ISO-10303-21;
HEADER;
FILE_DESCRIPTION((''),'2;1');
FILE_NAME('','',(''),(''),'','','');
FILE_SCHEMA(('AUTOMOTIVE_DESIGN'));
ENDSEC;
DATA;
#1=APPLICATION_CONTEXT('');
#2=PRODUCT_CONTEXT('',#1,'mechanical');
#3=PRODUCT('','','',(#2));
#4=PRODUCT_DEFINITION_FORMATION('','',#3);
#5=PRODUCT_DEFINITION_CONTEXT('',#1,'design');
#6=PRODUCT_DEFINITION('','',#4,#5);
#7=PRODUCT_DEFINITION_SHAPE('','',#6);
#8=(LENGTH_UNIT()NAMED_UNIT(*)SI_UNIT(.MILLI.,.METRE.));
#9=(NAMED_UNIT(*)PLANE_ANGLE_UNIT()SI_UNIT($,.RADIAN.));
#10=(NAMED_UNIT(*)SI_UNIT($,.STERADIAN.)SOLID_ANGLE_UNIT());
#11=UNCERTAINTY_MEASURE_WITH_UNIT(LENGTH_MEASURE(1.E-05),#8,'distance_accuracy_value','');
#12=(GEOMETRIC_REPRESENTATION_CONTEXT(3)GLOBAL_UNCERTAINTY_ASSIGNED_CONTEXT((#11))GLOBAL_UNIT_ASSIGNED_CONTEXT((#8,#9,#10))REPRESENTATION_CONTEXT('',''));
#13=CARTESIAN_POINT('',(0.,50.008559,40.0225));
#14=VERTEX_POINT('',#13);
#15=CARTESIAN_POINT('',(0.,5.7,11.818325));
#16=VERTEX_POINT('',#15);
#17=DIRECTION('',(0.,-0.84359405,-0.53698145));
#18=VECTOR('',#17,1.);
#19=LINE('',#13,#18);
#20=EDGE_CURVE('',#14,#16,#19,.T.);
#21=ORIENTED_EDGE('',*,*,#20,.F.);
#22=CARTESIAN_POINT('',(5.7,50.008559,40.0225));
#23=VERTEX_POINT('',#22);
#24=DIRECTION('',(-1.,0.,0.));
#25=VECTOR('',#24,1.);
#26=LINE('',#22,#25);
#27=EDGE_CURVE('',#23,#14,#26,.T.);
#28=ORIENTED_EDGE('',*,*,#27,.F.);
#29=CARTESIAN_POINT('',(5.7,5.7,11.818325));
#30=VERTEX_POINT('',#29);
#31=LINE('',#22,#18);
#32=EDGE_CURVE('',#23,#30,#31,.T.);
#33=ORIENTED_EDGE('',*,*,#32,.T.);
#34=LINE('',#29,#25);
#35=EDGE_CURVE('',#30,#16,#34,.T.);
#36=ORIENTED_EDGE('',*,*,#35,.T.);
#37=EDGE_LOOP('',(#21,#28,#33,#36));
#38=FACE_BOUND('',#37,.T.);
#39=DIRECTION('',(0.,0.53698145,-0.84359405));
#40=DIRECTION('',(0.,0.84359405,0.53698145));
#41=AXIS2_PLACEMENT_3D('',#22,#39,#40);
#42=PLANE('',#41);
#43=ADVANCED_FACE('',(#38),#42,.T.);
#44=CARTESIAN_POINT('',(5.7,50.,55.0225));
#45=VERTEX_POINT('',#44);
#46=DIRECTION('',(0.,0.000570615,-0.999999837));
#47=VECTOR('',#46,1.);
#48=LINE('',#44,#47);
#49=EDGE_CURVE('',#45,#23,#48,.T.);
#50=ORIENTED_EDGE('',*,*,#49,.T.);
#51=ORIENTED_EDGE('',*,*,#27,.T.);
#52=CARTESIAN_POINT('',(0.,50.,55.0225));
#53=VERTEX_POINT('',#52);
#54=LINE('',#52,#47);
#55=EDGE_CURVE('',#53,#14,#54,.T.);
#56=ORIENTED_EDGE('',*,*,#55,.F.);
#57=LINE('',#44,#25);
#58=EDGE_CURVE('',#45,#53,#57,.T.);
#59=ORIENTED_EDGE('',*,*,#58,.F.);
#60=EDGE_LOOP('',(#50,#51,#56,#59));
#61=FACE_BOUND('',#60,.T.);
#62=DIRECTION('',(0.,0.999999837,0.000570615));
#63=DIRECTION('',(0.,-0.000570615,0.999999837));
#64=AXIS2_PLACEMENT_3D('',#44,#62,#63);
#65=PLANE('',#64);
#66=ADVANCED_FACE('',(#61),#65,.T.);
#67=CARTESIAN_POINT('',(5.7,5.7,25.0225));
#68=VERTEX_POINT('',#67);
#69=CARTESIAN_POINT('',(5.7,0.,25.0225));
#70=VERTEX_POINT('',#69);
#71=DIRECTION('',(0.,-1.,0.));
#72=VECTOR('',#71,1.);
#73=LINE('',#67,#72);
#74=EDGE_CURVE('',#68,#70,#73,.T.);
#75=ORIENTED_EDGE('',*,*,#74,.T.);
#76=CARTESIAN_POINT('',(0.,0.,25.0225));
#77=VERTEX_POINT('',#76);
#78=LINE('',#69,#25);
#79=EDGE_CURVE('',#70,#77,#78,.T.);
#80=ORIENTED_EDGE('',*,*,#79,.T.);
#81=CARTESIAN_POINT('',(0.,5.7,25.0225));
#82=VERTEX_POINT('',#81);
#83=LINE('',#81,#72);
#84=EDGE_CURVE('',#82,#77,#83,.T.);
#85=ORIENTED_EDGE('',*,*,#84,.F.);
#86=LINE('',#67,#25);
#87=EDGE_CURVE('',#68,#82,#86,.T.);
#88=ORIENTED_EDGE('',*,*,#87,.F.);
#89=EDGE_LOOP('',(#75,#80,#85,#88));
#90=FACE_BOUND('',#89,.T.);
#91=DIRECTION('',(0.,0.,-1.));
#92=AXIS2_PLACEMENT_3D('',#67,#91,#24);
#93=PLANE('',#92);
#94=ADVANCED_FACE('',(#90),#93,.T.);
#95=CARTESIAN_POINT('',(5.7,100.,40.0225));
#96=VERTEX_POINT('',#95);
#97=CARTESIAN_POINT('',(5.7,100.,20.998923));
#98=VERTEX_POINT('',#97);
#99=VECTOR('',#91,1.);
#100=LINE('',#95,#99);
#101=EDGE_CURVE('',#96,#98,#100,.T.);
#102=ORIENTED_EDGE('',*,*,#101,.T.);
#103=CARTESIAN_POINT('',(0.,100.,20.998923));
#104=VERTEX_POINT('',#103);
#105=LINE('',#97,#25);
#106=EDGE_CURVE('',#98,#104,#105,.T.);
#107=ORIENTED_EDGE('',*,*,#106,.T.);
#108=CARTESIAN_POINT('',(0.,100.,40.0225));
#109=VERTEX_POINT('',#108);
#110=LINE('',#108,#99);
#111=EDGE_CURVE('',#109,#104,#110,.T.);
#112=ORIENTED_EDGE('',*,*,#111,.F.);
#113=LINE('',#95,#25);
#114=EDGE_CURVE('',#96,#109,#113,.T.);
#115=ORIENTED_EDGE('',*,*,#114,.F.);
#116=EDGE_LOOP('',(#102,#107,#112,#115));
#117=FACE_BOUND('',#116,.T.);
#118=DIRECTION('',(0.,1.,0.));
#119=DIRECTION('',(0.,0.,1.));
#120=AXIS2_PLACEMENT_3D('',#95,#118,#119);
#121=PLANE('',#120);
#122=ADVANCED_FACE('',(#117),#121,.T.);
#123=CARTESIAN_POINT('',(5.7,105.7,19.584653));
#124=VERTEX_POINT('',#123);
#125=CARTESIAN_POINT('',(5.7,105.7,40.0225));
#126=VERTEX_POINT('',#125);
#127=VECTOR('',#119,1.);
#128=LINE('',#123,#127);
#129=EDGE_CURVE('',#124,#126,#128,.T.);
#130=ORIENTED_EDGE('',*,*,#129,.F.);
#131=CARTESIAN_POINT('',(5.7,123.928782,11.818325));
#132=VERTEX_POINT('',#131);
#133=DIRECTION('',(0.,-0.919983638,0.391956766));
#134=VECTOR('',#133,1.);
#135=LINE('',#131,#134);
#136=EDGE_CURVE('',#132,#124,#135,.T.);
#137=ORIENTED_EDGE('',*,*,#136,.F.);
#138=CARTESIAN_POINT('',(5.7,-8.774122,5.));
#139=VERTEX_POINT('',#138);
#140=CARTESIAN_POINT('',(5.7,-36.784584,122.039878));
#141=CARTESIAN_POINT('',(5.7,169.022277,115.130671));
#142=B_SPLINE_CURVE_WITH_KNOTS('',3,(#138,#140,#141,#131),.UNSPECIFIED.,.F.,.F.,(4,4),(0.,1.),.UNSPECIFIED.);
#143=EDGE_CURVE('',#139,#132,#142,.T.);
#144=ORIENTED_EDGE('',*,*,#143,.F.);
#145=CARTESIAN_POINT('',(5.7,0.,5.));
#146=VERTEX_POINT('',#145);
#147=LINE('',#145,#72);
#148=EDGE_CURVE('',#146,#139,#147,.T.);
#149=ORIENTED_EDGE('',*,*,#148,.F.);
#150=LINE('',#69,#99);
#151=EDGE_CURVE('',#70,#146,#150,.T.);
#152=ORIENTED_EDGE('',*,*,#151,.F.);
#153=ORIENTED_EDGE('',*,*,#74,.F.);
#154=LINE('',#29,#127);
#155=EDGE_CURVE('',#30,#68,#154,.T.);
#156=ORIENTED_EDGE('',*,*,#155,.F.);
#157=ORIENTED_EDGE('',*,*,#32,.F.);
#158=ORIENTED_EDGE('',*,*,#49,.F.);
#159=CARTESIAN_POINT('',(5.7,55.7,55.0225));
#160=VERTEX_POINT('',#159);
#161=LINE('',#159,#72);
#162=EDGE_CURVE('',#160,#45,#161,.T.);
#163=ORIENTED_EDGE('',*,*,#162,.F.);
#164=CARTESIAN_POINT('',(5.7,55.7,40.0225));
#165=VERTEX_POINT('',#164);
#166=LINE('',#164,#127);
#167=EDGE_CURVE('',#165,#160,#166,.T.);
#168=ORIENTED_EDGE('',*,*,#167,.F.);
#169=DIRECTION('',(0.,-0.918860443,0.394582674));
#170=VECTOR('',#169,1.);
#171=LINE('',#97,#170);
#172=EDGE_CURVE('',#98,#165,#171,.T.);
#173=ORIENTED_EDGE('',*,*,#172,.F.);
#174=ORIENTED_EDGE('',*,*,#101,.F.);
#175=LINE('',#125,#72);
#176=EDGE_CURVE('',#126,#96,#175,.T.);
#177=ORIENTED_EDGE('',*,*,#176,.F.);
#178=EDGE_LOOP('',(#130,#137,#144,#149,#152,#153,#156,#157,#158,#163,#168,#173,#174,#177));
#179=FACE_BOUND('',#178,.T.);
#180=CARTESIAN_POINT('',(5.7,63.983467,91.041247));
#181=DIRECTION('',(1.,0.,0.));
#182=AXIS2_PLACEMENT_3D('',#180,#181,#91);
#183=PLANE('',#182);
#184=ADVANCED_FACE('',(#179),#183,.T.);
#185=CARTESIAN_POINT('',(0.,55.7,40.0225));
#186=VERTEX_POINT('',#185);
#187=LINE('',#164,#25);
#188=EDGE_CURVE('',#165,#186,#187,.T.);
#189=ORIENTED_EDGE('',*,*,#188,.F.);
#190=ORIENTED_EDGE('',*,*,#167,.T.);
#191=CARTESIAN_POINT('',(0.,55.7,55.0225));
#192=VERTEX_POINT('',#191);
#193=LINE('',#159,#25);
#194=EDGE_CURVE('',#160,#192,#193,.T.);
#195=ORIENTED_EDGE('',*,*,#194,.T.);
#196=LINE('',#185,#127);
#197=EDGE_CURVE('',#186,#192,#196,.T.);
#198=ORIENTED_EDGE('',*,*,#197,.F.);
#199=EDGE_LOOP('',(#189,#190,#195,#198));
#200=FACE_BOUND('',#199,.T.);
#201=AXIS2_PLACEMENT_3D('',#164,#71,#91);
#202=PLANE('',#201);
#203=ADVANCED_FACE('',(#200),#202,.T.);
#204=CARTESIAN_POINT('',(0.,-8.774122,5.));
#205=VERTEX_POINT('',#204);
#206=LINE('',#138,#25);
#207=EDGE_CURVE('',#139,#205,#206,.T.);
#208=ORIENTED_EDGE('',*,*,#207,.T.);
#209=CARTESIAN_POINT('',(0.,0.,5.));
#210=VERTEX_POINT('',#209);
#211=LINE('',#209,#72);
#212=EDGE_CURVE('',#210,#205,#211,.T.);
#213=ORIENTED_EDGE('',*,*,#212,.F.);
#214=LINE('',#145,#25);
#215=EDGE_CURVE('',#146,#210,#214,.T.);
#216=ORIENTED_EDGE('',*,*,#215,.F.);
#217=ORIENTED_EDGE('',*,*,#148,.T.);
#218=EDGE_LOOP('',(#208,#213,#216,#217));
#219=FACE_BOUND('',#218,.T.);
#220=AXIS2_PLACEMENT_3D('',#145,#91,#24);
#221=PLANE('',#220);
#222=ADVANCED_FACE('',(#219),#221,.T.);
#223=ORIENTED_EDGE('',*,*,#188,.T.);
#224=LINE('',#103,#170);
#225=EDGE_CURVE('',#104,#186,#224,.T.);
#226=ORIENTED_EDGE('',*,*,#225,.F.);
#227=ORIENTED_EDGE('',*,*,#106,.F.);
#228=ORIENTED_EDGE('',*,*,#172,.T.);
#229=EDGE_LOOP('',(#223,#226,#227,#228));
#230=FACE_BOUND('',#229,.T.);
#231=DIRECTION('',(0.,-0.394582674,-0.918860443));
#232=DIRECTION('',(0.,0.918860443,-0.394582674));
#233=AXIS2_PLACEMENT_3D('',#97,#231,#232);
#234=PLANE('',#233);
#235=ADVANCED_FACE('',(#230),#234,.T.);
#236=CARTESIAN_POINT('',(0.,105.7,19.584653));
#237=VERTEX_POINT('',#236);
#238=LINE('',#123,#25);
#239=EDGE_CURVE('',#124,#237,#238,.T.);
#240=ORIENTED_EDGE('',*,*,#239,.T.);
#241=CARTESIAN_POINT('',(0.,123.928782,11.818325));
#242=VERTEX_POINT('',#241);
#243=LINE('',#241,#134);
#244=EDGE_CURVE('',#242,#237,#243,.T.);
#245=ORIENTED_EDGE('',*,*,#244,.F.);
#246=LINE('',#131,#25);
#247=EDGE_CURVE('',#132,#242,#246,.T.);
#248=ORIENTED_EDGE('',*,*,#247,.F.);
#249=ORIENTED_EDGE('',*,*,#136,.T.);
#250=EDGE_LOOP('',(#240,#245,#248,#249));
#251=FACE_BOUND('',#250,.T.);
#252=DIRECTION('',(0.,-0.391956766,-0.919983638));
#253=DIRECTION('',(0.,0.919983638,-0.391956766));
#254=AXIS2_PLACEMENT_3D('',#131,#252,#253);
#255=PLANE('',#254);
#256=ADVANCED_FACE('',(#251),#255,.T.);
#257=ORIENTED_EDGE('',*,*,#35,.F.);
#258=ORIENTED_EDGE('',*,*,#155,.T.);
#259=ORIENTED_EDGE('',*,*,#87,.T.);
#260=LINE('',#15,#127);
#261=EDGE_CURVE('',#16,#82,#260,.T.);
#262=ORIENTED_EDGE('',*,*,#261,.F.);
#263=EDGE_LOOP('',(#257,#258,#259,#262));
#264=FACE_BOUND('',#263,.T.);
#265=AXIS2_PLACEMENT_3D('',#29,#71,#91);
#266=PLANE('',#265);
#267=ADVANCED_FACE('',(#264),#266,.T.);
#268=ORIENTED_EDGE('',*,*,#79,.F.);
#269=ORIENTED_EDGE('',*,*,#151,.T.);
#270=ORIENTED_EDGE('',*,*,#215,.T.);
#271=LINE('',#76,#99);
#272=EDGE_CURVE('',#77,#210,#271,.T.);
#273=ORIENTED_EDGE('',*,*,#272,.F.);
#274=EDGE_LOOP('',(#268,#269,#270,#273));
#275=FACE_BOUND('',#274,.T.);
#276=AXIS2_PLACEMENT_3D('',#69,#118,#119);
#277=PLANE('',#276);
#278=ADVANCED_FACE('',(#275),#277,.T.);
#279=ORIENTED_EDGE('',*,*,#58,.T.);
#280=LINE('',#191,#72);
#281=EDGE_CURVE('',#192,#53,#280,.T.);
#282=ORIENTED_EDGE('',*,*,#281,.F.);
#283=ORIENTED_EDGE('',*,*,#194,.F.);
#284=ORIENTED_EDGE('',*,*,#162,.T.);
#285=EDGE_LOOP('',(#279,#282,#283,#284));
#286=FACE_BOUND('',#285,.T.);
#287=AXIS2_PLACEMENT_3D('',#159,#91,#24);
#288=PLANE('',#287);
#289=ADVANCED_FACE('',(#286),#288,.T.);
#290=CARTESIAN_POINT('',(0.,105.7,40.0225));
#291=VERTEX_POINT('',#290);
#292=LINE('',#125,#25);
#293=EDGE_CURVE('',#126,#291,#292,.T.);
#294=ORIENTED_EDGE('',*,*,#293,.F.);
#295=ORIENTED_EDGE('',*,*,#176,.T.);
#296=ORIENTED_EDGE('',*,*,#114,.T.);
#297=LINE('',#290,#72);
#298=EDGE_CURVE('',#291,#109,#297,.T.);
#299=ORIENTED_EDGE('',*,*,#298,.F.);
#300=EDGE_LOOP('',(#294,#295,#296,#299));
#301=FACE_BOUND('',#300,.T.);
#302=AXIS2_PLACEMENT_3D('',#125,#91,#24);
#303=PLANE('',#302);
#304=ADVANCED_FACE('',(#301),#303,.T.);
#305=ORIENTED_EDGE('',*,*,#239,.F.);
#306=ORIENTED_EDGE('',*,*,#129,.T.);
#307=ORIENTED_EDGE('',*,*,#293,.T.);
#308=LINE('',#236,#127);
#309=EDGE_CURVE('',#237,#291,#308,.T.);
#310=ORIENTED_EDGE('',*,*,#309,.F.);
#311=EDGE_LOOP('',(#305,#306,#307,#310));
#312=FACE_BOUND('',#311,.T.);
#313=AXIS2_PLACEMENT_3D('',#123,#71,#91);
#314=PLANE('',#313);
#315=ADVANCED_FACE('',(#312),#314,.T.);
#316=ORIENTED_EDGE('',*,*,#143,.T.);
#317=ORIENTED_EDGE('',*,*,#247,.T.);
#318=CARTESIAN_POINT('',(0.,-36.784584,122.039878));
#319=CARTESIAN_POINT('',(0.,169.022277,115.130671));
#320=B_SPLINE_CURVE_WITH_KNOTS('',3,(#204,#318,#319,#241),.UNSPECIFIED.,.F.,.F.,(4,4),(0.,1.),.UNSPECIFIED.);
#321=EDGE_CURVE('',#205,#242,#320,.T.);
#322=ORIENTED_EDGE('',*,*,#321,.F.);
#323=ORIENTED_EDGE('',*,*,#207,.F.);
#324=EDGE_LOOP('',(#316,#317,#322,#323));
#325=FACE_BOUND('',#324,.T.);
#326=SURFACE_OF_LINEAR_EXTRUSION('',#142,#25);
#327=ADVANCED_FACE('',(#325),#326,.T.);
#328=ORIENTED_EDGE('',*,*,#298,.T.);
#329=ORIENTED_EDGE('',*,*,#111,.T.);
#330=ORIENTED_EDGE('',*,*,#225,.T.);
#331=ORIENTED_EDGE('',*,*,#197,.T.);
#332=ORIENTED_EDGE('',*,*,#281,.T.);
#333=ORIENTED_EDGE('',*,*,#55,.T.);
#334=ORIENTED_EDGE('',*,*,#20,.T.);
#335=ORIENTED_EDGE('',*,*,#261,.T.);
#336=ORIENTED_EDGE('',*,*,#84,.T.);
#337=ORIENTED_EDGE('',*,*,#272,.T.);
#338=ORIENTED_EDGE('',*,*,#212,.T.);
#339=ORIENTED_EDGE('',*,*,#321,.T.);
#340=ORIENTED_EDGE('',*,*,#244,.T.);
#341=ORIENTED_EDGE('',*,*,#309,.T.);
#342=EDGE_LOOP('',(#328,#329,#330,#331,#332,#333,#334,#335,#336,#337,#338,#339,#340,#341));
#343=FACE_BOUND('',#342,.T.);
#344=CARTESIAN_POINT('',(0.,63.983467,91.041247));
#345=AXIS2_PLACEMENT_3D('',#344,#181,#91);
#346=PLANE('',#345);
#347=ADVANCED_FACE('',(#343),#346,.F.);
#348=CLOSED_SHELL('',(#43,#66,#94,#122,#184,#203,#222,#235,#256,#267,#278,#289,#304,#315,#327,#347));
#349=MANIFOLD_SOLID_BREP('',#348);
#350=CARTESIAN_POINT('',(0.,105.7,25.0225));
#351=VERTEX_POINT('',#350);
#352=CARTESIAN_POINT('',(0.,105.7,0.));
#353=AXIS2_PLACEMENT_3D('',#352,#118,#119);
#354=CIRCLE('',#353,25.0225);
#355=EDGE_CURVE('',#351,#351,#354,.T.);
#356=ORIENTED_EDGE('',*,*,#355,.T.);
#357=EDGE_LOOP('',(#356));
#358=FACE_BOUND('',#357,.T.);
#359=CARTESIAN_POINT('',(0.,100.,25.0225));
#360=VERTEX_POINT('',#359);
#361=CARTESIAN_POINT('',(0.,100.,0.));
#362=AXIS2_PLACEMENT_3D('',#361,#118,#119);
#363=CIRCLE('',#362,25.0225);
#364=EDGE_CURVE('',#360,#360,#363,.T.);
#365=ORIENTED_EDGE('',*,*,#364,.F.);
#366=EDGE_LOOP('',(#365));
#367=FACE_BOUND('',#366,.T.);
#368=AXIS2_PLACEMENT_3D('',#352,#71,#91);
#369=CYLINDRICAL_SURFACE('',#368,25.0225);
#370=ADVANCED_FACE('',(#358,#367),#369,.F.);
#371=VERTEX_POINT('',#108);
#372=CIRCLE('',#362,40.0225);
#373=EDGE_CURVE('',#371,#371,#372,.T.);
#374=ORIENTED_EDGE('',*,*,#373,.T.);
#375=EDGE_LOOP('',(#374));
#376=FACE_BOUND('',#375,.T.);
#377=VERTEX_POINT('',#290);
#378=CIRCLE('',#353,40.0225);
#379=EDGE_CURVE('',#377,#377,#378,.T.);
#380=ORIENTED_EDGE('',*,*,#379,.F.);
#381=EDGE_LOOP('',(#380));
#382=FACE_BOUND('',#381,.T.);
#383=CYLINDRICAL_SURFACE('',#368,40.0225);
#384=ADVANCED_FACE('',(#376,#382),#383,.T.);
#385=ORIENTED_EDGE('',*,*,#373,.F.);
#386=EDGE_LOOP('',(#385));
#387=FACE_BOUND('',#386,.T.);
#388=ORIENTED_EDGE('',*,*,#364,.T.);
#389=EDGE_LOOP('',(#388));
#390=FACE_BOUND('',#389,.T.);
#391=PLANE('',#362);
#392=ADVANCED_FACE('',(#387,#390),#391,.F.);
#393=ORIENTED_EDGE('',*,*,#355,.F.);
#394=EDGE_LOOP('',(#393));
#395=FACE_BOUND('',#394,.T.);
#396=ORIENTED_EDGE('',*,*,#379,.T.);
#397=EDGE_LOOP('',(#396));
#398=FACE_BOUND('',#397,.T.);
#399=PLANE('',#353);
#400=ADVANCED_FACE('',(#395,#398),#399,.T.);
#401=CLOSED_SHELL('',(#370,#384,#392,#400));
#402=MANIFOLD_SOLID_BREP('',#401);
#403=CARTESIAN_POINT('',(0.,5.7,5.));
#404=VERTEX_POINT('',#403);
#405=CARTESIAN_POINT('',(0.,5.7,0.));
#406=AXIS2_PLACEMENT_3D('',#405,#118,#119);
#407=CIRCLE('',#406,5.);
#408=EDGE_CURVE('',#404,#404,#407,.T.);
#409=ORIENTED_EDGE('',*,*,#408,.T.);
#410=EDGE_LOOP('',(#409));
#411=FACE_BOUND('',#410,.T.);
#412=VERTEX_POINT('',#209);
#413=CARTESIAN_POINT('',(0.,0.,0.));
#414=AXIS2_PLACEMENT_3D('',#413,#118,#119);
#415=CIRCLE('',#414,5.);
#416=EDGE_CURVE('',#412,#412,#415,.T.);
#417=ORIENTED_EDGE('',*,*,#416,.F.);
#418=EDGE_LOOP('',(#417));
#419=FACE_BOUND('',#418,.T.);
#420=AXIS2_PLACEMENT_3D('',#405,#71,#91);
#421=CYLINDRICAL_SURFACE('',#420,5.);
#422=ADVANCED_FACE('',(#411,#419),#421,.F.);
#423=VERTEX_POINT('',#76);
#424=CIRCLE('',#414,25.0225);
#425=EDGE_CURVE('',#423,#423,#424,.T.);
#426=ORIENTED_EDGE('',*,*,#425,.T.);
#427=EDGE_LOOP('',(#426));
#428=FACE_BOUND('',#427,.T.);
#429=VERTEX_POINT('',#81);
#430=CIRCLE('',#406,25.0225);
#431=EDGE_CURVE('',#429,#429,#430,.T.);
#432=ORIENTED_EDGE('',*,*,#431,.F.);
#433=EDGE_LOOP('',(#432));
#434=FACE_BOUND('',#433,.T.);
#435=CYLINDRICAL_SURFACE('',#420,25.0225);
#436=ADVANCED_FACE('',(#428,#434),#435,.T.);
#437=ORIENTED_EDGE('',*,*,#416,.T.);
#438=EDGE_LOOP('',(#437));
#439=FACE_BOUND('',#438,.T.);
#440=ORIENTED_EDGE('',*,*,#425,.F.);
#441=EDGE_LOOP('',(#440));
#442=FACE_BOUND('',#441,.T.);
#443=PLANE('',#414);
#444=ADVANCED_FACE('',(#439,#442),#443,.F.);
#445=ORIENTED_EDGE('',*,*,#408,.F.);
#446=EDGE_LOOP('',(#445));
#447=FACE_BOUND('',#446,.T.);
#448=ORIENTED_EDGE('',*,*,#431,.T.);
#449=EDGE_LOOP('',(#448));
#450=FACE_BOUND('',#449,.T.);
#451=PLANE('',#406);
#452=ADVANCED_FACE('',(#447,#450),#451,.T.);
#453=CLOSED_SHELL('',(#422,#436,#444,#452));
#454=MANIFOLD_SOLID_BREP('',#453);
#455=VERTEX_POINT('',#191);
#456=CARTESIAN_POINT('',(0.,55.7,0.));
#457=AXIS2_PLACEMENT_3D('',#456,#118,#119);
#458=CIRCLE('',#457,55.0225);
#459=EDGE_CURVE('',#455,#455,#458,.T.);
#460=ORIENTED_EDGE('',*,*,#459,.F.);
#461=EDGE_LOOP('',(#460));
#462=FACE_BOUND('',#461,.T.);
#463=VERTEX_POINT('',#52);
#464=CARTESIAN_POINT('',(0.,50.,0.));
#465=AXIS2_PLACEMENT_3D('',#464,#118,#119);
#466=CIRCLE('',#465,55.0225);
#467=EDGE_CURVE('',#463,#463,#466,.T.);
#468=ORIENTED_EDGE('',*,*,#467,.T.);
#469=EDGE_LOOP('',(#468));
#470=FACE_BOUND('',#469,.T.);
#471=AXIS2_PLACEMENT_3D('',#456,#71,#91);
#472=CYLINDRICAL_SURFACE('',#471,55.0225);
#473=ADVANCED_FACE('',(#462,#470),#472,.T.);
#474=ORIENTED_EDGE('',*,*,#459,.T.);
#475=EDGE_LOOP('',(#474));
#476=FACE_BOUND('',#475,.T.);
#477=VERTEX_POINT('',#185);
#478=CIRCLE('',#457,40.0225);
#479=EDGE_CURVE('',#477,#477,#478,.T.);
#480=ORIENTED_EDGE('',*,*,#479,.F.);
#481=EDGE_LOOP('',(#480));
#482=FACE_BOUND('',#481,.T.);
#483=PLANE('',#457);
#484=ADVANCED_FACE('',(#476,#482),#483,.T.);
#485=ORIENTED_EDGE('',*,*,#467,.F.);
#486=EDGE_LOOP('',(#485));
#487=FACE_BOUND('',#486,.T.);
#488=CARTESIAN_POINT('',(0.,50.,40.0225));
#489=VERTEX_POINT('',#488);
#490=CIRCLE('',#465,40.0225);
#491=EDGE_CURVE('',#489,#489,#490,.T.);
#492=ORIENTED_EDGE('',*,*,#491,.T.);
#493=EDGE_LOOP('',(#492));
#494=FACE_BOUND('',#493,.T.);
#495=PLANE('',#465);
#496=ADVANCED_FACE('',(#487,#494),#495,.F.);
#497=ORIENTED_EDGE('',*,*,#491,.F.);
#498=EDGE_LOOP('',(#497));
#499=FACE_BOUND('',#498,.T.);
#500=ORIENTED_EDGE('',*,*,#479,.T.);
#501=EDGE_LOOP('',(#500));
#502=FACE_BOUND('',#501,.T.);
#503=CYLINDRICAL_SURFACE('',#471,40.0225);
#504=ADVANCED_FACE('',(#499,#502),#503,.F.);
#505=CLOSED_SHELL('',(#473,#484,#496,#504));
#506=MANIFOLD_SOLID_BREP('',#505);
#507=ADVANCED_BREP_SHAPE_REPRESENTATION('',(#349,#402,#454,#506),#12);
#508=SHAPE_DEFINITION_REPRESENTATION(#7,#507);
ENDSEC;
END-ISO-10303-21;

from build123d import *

# Parameters (mm, degrees)
SCHIZZO2_R                    = 25.0225
SCHIZZO2_R_2                  = 5
ESTRUSIONE_ESTRUSIONE1_DEPTH  = 5.7
SCHIZZO3_R                    = 55.0225
SCHIZZO3_R_2                  = 40.0225
ESTRUSIONE_ESTRUSIONE2_DEPTH  = 5.7
SCHIZZO4_R                    = 40.0225
SCHIZZO4_R_2                  = 25.0225
ESTRUSIONE_ESTRUSIONE3_DEPTH  = 5.7
ESTRUSIONE_ESTRUSIONE10_DEPTH = 5.7


with BuildPart() as part:
    # Schizzo2 → Estrusione-Estrusione1 (new body)
    with BuildSketch(Plane(origin=(0, 0, 0), x_dir=(1, 0, 0), z_dir=(0, 1, 0))):
        with Locations(Location((0, 0, 0), (0, 0, 270))):
            Circle(SCHIZZO2_R)
        with Locations(Location((0, 0, 0), (0, 0, 270))):
            Circle(SCHIZZO2_R_2, mode=Mode.SUBTRACT)
    extrude(amount=ESTRUSIONE_ESTRUSIONE1_DEPTH)


with BuildPart() as body_2:
    # Schizzo3 → Estrusione-Estrusione2 (new body)
    with BuildSketch(Plane(origin=(0, 50, 0), x_dir=(1, 0, 0), z_dir=(0, 1, 0))):
        with Locations(Location((0, 0, 0), (0, 0, 270))):
            Circle(SCHIZZO3_R)
        with Locations(Location((0, 0, 0), (0, 0, 270))):
            Circle(SCHIZZO3_R_2, mode=Mode.SUBTRACT)
    extrude(amount=ESTRUSIONE_ESTRUSIONE2_DEPTH)


with BuildPart() as body_3:
    # Schizzo4 → Estrusione-Estrusione3 (new body)
    with BuildSketch(Plane(origin=(0, 100, 0), x_dir=(1, 0, 0), z_dir=(0, 1, 0))):
        with Locations(Location((0, 0, 0), (0, 0, 270))):
            Circle(SCHIZZO4_R)
        with Locations(Location((0, 0, 0), (0, 0, 270))):
            Circle(SCHIZZO4_R_2, mode=Mode.SUBTRACT)
    extrude(amount=ESTRUSIONE_ESTRUSIONE3_DEPTH)


with BuildPart() as body_4:
    # Schizzo5 → Estrusione-Estrusione10 (new body)
    with BuildSketch(Plane(origin=(0, 0, 0), x_dir=(0, 0, -1), z_dir=(1, 0, 0))):
        with BuildLine():
            Line((-5, 0), (-5, -8.774122143))
            add(Edge.make_bspline(
                [(-5, -8.774122143), (-122.039878304, -36.784583812), (-115.130671173, 169.022277049), (-11.818324795, 123.928781979)],
                knots=[0, 0, 0, 0, 1, 1, 1, 1], degree=3))
            Line((-11.818324795, 123.928781979), (-19.584652517, 105.7))
            Line((-19.584652517, 105.7), (-40.0225, 105.7))
            Line((-40.0225, 105.7), (-40.0225, 100))
            Line((-40.0225, 100), (-20.998922906, 100))
            Line((-20.998922906, 100), (-40.0225, 55.7))
            Line((-40.0225, 55.7), (-55.0225, 55.7))
            Line((-55.0225, 55.7), (-55.0225, 50))
            Line((-55.0225, 50), (-40.0225, 50.008559229))
            Line((-40.0225, 50.008559229), (-11.818324795, 5.7))
            Line((-11.818324795, 5.7), (-25.0225, 5.7))
            Line((-25.0225, 5.7), (-25.0225, 0))
            Line((-25.0225, 0), (-5, 0))
        make_face()
    extrude(amount=ESTRUSIONE_ESTRUSIONE10_DEPTH)


solid = Compound([part.part, body_2.part, body_3.part, body_4.part])
